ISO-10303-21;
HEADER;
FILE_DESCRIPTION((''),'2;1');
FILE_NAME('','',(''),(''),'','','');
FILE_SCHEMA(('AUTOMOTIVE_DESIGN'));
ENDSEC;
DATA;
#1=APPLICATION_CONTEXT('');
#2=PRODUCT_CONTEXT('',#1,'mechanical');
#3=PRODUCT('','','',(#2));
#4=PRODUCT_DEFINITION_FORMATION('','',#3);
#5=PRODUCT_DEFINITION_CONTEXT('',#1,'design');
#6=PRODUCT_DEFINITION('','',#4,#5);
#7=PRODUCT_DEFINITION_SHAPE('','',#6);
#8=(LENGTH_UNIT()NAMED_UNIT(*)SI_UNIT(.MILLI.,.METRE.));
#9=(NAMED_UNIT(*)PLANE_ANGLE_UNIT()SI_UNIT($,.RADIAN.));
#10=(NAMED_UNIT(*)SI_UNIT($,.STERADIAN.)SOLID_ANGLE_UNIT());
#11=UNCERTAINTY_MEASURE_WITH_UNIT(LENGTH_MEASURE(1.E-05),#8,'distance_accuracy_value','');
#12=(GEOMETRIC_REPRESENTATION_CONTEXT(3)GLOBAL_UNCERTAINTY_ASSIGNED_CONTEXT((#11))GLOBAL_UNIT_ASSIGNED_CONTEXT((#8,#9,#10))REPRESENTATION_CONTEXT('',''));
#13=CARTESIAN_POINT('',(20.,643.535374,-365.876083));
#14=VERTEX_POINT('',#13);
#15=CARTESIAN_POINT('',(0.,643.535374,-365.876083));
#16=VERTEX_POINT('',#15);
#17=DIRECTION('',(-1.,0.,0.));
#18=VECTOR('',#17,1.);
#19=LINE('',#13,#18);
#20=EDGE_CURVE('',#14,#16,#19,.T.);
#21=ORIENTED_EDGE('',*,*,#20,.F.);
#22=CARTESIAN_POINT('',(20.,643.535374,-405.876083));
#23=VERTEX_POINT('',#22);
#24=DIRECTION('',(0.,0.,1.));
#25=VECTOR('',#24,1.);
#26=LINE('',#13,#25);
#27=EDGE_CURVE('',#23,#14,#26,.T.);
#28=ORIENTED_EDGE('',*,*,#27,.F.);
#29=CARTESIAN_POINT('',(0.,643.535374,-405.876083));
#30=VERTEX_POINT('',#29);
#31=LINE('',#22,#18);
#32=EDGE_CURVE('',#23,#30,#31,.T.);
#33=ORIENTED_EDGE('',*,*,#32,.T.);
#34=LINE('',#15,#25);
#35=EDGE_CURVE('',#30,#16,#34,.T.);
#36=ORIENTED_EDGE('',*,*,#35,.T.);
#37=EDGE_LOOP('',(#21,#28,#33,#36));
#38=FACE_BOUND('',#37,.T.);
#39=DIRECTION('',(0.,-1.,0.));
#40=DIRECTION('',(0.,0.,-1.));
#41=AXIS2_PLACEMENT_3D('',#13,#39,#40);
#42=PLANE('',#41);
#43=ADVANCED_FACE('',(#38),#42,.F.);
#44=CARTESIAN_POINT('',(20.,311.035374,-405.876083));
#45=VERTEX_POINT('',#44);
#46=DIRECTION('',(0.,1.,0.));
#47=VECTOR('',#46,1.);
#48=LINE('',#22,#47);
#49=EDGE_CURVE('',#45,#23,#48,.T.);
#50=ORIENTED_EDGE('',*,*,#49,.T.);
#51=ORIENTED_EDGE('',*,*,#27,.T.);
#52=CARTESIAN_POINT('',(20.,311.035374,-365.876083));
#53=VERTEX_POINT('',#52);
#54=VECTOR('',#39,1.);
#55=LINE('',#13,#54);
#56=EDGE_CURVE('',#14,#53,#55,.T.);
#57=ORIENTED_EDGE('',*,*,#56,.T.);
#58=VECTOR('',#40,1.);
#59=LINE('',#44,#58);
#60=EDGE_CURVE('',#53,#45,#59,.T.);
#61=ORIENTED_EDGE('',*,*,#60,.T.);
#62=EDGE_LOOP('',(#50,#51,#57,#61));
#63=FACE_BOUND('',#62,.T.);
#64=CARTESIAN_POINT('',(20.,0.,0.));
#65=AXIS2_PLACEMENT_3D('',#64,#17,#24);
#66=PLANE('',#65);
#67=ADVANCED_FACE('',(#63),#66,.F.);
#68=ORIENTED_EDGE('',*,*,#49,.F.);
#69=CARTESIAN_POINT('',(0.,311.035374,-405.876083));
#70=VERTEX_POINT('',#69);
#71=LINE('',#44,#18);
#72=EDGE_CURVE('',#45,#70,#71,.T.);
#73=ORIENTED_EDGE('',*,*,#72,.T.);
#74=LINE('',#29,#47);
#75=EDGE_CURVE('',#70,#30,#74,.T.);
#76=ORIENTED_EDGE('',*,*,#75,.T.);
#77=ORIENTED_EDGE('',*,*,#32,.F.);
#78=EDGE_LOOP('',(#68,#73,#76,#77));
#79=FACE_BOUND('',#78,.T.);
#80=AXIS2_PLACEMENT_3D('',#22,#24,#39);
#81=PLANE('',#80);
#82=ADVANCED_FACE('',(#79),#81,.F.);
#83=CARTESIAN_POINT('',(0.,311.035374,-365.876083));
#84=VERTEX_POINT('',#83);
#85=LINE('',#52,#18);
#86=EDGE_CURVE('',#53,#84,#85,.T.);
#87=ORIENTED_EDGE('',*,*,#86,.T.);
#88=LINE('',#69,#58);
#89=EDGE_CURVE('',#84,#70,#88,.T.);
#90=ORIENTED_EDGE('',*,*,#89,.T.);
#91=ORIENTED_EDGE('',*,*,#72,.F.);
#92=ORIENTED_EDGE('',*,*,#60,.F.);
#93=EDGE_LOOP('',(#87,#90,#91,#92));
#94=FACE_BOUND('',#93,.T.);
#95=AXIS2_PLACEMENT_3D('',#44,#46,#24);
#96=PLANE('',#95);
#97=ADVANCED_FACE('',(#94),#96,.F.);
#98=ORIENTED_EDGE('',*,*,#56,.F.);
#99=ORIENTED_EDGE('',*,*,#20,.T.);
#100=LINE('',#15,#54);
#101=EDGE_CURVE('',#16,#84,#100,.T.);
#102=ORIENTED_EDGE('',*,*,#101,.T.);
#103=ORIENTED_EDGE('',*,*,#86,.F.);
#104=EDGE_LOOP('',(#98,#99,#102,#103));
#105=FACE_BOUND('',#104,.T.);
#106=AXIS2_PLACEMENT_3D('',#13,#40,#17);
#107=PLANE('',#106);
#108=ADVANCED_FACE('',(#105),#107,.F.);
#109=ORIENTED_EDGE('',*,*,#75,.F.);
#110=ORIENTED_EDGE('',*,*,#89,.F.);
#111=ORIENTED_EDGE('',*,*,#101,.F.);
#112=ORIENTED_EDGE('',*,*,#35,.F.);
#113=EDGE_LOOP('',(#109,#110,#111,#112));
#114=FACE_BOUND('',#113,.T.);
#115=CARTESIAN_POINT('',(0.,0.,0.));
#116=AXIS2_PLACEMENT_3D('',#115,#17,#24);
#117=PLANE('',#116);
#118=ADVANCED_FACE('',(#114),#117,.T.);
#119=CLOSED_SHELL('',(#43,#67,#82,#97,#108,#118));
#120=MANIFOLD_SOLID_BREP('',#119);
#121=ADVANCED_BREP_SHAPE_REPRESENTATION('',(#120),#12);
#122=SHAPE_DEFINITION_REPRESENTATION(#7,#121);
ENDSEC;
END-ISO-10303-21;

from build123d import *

# Parameters (mm, degrees)
SKETCH_1_W      = 40
SKETCH_1_H      = 332.5
EXTRUDE_1_DEPTH = 20


with BuildPart() as part:
    # Эскиз1 → Бобышка-Вытянуть1 (new body)
    with BuildSketch(Plane(origin=(0, 0, 0), x_dir=(0, 0, -1), z_dir=(1, 0, 0))):
        with Locations((385.876083199, 477.285374394)):
            Rectangle(SKETCH_1_W, SKETCH_1_H)
    extrude(amount=EXTRUDE_1_DEPTH)


solid = part.part
